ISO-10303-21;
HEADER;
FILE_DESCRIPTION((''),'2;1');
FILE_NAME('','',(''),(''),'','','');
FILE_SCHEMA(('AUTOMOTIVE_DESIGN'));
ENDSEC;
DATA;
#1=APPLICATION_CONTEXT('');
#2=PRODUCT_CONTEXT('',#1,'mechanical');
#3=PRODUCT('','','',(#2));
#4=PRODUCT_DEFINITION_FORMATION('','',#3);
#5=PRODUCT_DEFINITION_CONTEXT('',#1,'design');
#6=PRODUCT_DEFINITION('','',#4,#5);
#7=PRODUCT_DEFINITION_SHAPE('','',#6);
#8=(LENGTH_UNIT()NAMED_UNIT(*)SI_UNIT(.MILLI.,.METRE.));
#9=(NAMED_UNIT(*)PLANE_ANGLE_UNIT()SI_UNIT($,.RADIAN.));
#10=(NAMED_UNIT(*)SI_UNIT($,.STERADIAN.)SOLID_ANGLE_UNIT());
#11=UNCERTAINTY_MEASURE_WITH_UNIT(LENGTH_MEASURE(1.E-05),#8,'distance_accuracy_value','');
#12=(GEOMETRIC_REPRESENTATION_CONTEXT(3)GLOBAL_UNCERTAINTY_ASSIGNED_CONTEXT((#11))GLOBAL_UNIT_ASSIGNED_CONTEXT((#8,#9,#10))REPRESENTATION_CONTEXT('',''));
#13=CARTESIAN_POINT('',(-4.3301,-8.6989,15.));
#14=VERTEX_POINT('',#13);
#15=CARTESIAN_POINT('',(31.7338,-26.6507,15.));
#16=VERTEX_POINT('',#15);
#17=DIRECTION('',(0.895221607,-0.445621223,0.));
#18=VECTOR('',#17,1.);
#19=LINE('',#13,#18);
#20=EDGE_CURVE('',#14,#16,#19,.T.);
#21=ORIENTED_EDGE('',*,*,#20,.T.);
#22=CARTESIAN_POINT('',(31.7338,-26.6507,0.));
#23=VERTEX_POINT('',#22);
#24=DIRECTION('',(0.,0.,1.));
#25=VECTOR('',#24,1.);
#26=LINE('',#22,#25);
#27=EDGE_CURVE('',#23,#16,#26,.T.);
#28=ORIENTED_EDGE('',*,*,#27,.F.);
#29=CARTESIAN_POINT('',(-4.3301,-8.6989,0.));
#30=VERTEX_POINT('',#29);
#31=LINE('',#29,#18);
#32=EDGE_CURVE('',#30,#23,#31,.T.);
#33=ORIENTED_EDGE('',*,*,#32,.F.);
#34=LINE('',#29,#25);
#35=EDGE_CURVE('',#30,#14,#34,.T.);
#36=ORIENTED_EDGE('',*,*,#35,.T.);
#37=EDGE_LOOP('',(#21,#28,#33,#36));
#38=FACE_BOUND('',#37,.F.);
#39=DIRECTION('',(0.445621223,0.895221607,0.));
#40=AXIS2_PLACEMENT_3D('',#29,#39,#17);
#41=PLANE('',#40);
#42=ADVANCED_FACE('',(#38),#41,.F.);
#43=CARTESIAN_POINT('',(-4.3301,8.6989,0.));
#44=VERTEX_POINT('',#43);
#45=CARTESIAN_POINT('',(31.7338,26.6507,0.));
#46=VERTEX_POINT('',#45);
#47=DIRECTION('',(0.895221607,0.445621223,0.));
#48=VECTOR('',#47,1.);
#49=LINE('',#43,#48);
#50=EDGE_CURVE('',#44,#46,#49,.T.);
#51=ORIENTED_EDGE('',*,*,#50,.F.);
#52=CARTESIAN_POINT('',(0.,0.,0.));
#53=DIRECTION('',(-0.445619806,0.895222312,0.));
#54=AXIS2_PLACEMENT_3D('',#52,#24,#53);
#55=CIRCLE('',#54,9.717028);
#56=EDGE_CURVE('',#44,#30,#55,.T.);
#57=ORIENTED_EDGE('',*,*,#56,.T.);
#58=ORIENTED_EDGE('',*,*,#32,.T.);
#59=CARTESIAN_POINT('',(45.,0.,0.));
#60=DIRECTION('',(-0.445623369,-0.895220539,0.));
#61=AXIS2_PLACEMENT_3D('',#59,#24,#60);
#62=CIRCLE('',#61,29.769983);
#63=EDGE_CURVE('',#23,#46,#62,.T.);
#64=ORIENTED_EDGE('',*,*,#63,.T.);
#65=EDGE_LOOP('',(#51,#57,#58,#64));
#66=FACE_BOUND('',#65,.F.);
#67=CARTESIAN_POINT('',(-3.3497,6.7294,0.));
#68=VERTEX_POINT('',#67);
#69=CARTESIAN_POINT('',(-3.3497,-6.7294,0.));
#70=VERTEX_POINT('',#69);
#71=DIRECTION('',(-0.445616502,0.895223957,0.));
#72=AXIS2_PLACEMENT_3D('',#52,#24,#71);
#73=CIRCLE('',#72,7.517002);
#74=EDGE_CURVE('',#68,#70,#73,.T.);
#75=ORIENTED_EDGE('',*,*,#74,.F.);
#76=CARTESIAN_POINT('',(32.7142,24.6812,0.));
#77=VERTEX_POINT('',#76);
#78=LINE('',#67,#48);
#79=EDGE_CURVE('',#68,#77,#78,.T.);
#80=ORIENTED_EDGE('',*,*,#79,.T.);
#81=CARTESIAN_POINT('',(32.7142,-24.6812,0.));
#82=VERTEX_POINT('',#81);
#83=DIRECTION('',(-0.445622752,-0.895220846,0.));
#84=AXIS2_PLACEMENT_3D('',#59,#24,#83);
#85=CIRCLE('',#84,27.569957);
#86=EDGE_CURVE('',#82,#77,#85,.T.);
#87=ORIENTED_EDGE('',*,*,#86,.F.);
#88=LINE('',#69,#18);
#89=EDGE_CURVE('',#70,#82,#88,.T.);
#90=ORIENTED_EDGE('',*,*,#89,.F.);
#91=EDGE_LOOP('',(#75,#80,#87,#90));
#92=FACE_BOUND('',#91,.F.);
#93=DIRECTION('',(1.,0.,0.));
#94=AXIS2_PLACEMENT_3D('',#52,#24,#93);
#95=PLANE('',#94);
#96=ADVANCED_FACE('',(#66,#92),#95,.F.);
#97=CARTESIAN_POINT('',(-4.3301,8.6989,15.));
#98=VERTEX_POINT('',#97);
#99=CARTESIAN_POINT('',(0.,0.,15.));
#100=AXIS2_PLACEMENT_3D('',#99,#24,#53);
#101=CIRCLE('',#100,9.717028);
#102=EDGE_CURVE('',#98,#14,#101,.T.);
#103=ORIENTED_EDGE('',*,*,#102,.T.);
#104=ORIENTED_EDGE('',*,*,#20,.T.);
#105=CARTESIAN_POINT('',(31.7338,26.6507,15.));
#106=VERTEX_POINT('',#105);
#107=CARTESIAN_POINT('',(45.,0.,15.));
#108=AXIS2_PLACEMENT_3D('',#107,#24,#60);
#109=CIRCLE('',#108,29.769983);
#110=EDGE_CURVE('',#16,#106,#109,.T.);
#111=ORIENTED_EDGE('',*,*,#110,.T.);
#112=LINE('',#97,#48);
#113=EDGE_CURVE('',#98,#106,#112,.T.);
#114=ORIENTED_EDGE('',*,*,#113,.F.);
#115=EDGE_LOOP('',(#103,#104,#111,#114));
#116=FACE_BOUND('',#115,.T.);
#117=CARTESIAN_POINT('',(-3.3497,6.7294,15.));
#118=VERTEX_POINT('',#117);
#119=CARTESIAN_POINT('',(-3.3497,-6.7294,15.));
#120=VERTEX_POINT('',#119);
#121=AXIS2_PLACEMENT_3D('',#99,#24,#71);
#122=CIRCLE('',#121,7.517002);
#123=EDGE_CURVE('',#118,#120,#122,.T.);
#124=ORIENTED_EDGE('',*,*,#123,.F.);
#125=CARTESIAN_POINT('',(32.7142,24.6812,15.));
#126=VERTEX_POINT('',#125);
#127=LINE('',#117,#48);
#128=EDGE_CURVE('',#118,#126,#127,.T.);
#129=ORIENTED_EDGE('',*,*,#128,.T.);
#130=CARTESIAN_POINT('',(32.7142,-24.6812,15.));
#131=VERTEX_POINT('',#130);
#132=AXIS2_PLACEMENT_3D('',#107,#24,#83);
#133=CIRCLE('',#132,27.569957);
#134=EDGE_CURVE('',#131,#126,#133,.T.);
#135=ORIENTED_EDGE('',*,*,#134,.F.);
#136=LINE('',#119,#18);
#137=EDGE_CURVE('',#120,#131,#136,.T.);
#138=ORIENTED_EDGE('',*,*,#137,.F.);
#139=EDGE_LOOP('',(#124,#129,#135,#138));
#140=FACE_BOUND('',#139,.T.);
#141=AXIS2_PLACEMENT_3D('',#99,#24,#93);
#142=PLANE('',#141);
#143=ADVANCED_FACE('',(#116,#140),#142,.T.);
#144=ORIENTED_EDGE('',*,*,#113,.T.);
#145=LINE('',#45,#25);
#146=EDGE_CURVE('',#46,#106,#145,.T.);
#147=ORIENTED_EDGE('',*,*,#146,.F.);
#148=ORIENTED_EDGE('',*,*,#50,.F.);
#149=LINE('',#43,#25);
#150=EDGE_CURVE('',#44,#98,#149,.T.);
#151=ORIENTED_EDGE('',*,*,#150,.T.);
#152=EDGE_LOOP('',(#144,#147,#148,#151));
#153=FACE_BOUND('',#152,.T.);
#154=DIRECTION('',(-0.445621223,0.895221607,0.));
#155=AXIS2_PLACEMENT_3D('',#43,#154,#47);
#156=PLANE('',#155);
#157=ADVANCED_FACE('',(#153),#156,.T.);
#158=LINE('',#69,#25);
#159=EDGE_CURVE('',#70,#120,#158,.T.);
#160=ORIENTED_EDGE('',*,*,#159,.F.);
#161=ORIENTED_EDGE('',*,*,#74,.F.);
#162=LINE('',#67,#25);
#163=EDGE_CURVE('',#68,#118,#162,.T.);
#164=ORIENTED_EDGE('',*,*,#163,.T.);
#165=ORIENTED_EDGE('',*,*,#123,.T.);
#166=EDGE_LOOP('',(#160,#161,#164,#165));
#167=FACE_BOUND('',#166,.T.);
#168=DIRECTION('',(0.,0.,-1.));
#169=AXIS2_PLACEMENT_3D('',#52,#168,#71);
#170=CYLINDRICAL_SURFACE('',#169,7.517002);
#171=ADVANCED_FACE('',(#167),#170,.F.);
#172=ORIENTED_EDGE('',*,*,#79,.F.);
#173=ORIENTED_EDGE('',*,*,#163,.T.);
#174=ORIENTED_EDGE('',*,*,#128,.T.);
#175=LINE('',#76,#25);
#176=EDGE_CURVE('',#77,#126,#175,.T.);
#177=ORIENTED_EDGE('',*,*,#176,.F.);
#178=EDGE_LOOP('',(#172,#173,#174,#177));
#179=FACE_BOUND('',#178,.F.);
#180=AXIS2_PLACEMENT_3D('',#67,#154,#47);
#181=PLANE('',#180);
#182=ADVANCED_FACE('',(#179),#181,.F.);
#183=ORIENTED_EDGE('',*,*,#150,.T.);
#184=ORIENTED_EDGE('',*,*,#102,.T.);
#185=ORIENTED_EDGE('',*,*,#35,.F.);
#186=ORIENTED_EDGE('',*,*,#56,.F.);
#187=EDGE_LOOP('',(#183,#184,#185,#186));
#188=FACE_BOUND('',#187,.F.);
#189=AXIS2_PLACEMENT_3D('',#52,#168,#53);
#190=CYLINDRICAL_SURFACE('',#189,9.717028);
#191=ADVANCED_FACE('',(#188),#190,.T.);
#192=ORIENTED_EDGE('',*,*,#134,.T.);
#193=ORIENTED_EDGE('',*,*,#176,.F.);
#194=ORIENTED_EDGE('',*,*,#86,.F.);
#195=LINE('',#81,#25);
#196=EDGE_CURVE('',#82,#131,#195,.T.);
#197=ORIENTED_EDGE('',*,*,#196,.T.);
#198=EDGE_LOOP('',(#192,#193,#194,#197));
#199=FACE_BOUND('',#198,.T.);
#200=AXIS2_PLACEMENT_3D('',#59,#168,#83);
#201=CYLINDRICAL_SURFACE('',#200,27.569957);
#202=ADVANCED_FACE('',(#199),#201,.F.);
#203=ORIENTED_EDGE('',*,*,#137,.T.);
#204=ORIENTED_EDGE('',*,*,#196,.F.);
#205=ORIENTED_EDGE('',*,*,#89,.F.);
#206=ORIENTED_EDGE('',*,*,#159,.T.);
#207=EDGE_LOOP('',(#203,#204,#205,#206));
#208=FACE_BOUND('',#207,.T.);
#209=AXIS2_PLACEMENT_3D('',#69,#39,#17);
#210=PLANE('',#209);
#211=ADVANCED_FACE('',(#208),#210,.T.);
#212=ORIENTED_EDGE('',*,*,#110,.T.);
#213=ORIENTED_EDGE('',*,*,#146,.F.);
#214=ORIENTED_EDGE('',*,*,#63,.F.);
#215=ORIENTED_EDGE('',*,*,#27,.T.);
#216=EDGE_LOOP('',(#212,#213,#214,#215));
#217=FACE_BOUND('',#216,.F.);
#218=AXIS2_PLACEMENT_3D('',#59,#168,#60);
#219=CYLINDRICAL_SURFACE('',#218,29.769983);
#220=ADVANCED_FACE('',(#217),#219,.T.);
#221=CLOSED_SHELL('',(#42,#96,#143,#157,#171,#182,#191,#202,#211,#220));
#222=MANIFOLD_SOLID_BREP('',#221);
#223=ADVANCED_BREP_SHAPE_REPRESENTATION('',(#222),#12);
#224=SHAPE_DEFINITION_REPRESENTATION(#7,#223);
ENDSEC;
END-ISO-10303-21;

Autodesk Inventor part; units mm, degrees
ref_plane "YZ Plane" through (0, 0, 0) normal (1, 0, 0) x (0, 1, 0)
ref_plane "XZ Plane" through (0, 0, 0) normal (0, 1, 0) x (-1, 0, 0)
ref_plane "XY Plane" through (0, 0, 0) normal (0, 0, 1) x (1, 0, 0)
sketch "Sketch1" plane through (0, 0, 0) normal (0, 0, 1) x (1, 0, 0)
  circle A0 centre (0, 0) radius 8.217 construction
  line L0 (0, 0) -> (45, 0) construction
  arc A1 (-3.3497, 6.7294) -> (-3.3497, -6.7294) centre (0, 0) ccw
  arc A2 (9.717, 0) -> (2.1626, 9.4733) centre (0, 0) ccw construction
  circle A3 centre (45, 0) radius 28.27 construction
  arc A4 (32.7142, -24.6812) -> (32.7142, 24.6812) centre (45, 0) ccw
  arc A5 (15.23, 0) -> (22.6595, -19.6762) centre (45, 0) ccw construction
  line L1 (-4.3301, 8.6989) -> (31.7338, 26.6507)
  line L2 (-4.3301, -8.6989) -> (31.7338, -26.6507)
  line L3 (-3.3497, 6.7294) -> (32.7142, 24.6812)
  line L4 (-3.3497, -6.7294) -> (32.7142, -24.6812)
  arc A6 (17.43, 0) -> (32.7142, -24.6812) centre (45, 0) ccw construction
  arc A7 (32.7142, 24.6812) -> (17.43, 0) centre (45, 0) ccw construction
  arc A8 (7.517, 0) -> (-3.3497, 6.7294) centre (0, 0) ccw construction
  arc A9 (-3.3497, -6.7294) -> (7.517, 0) centre (0, 0) ccw construction
  arc A10 (2.1626, -9.4733) -> (9.717, 0) centre (0, 0) ccw construction
  arc A11 (2.1626, 9.4733) -> (-4.3301, 8.6989) centre (0, 0) ccw construction
  arc A12 (22.6595, 19.6762) -> (15.23, 0) centre (45, 0) ccw construction
  arc A13 (22.6595, -19.6762) -> (31.7338, -26.6507) centre (45, 0) ccw construction
  arc A14 (-4.3301, 8.6989) -> (-4.3301, -8.6989) centre (0, 0) ccw
  arc A15 (-4.3301, -8.6989) -> (2.1626, -9.4733) centre (0, 0) ccw construction
  arc A16 (31.7338, 26.6507) -> (22.6595, 19.6762) centre (45, 0) ccw construction
  arc A17 (31.7338, -26.6507) -> (31.7338, 26.6507) centre (45, 0) ccw
  dimension "d0" = 16.434
  dimension "d1" = 45
  dimension "d3" = 1.5
  dimension "d4" = 56.54
  dimension "d5" = 0.7
  dimension "d6" = 0.7
  dimension "d7" = 1.5
extrude "Extrusion1" add sketch "Sketch1" along normal blind 15
properties part number "Belt" material "Rubber, Silicone"
